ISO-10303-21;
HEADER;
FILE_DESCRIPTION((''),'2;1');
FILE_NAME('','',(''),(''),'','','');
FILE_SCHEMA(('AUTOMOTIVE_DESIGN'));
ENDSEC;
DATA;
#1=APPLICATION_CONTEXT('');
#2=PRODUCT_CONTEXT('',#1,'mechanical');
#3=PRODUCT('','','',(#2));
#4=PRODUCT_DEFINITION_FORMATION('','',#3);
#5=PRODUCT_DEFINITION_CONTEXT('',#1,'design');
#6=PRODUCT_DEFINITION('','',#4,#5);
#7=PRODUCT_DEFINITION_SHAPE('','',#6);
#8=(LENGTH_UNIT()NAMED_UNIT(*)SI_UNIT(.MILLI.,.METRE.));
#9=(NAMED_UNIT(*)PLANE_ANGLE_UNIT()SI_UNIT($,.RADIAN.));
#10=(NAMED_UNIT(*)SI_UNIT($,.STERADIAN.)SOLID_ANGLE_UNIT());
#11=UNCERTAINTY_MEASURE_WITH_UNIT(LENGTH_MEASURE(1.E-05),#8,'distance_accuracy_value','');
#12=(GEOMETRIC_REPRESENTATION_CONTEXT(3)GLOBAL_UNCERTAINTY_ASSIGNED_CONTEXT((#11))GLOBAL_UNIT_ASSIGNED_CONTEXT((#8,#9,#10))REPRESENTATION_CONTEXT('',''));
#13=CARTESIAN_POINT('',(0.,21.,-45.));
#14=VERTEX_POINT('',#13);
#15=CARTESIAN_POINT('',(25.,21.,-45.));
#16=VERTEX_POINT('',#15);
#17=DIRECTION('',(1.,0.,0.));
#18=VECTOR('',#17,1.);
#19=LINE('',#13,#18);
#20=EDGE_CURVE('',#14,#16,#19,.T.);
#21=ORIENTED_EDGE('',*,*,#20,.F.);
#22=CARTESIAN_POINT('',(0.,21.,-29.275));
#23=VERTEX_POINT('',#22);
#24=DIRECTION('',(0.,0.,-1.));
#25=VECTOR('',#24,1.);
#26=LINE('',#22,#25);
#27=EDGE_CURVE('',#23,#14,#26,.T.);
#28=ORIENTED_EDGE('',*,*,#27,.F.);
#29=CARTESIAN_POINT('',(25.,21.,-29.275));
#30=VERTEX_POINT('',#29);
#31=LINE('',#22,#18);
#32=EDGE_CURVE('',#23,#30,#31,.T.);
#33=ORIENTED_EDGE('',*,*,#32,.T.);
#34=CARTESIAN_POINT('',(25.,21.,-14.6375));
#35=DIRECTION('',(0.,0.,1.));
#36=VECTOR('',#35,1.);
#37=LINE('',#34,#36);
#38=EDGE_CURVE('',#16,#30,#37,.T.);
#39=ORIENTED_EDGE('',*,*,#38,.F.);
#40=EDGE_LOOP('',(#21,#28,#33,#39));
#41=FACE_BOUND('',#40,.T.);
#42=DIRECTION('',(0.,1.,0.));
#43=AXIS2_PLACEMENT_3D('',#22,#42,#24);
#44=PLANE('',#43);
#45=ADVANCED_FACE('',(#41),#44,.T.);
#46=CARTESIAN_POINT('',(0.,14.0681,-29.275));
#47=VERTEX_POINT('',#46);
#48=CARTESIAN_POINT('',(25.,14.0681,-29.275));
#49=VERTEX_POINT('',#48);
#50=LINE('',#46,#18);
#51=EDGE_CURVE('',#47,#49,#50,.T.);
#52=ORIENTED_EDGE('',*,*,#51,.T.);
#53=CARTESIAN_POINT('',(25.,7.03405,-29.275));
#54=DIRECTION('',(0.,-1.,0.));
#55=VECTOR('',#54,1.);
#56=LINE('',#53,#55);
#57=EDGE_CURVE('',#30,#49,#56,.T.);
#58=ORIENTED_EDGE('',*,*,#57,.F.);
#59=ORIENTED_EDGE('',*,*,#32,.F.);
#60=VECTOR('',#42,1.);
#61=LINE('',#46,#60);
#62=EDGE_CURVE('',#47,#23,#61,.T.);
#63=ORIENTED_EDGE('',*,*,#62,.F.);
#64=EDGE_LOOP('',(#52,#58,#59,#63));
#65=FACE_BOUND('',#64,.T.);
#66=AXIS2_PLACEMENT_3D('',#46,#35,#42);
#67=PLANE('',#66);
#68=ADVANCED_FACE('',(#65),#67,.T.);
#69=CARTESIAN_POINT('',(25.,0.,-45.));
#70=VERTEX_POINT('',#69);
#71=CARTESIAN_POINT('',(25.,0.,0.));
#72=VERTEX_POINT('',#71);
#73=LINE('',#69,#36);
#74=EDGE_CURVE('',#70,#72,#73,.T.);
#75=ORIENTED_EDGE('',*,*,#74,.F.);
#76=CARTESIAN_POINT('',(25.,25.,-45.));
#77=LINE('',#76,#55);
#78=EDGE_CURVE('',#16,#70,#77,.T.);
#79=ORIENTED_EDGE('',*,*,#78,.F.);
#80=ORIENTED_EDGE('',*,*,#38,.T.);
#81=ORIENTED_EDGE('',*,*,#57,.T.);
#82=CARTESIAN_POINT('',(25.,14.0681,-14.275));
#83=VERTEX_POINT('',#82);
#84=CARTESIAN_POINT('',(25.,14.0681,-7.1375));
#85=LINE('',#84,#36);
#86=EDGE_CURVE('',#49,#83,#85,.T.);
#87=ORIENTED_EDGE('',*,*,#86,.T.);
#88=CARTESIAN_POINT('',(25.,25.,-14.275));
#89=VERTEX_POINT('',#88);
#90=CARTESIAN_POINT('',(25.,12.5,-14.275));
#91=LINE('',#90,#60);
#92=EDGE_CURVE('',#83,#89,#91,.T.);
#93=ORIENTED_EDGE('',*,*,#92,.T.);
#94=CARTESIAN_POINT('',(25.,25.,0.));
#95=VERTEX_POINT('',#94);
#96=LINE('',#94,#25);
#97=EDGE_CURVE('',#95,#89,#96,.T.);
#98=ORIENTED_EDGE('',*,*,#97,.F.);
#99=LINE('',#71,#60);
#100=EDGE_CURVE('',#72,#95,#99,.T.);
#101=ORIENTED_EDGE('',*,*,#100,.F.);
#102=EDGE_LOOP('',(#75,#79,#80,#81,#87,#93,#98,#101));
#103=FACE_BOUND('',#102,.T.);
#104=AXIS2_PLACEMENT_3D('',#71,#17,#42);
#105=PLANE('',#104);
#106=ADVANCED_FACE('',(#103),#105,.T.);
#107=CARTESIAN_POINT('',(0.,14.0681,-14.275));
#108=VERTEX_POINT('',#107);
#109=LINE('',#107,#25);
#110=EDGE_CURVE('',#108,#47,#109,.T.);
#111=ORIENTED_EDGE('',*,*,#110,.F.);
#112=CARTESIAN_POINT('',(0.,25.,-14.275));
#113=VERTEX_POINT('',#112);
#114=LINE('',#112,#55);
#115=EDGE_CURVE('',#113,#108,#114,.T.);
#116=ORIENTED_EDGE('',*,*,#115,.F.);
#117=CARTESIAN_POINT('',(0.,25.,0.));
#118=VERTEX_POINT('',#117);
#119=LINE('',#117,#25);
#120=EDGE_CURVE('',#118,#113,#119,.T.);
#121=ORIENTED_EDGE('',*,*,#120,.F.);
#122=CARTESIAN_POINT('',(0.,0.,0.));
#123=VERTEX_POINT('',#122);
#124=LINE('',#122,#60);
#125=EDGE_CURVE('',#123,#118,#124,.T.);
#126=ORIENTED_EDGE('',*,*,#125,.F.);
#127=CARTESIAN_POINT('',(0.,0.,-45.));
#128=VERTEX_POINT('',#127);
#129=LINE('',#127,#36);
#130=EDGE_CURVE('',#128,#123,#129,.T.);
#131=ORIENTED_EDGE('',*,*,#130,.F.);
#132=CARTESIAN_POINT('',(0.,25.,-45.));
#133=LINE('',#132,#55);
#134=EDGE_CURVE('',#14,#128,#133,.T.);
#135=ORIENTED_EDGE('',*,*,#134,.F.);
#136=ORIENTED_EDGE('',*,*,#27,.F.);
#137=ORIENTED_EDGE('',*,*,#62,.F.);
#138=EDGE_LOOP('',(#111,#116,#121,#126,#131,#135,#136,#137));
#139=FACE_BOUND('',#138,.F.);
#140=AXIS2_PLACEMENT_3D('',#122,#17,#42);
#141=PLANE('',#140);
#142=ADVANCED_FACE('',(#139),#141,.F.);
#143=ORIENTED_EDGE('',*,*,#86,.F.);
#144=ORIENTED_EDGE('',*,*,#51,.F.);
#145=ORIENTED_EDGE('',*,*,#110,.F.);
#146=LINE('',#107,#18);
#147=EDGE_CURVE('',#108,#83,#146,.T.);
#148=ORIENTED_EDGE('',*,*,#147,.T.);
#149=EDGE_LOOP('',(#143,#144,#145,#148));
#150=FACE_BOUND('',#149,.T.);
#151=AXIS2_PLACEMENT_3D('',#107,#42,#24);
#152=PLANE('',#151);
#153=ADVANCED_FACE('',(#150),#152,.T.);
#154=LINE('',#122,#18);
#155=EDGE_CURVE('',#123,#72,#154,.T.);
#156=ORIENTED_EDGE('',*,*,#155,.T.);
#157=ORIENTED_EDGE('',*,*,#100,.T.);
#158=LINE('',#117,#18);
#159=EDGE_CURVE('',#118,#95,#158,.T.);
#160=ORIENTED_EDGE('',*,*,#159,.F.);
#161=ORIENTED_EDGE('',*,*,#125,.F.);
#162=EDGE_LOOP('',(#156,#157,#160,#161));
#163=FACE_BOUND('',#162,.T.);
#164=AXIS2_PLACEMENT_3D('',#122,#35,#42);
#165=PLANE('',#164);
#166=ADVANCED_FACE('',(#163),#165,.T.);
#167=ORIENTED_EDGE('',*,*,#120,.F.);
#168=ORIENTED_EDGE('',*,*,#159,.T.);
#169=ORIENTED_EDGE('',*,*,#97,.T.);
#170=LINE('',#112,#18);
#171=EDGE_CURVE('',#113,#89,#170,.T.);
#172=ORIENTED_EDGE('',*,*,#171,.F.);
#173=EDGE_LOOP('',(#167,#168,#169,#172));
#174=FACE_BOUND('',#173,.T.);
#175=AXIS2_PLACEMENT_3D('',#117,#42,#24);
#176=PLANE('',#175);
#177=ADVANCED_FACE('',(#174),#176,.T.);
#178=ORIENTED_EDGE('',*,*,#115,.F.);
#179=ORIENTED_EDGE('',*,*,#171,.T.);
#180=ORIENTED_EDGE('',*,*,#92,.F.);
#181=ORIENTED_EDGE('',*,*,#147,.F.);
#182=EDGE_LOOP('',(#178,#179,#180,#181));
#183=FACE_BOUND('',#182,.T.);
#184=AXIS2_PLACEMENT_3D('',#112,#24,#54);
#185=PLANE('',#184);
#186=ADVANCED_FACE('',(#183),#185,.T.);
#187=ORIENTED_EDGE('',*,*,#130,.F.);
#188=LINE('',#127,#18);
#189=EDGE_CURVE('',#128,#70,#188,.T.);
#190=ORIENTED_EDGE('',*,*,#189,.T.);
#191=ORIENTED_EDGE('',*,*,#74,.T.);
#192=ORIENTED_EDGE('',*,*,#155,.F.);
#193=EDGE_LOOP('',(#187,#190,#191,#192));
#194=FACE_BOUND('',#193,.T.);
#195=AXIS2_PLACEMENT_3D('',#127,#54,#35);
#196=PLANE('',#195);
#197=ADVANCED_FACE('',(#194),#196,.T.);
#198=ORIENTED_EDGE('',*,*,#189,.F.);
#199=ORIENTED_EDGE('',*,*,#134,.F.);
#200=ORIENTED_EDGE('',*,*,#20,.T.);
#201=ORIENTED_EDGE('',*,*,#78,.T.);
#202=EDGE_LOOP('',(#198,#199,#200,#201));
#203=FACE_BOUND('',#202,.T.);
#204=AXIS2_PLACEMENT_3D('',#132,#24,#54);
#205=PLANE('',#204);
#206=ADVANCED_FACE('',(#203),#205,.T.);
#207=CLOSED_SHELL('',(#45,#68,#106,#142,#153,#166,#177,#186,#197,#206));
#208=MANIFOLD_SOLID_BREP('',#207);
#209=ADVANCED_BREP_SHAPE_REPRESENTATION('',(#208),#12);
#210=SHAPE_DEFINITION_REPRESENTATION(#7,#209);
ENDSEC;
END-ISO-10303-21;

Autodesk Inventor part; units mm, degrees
ref_plane "YZ Plane" through (0, 0, 0) normal (1, 0, 0) x (0, 1, 0)
ref_plane "XZ Plane" through (0, 0, 0) normal (0, 1, 0) x (-1, 0, 0)
ref_plane "XY Plane" through (0, 0, 0) normal (0, 0, 1) x (1, 0, 0)
sketch "Esboço1" plane through (0, 0, 0) normal (1, 0, 0) x (0, 1, 0)
  line L0 (0, 0) -> (25, 0)
  line L1 (25, 0) -> (25, -45)
  line L2 (25, -45) -> (0, -45)
  line L3 (0, -45) -> (0, 0)
  dimension "d0" = 45
  dimension "d1" = 25
extrude "Extrusão1" add sketch "Esboço1" along normal blind 25
sketch "Esboço4" plane through (0, 0, 0) normal (-1, 0, 0) x (0, 0, 1)
  line L0 (-29.275, 25) -> (-14.275, 25)
  line L1 (-14.275, 25) -> (-14.275, 14.0681)
  line L2 (-14.275, 14.0681) -> (-29.275, 14.0681)
  line L3 (-29.275, 14.0681) -> (-29.275, 25)
  line L4 (0, 0) -> (-45, 0) projected
  dimension "d8" = 25
  dimension "d9" = 15
extrude "Extrusão3" cut sketch "Esboço4" against normal through all
sketch "Esboço6" plane through (0, 0, 0) normal (-1, 0, 0) x (0, 0, 1)
  line L0 (-45, 25) -> (-29.275, 25) projected
  line L1 (-29.275, 14.0681) -> (-29.275, 25) projected
  line L2 (-45, 25) -> (-29.275, 25)
  line L3 (-29.275, 25) -> (-29.275, 21)
  line L4 (-29.275, 21) -> (-45, 21)
  line L5 (-45, 21) -> (-45, 25)
  point P0 (0, 0)
  point P1 (-37.1375, 21)
  dimension "d12" = 4
  dimension "d13" = 15.725
extrude "Extrusão4" cut sketch "Esboço6" against normal through all
properties part number "Peça2_aula"
